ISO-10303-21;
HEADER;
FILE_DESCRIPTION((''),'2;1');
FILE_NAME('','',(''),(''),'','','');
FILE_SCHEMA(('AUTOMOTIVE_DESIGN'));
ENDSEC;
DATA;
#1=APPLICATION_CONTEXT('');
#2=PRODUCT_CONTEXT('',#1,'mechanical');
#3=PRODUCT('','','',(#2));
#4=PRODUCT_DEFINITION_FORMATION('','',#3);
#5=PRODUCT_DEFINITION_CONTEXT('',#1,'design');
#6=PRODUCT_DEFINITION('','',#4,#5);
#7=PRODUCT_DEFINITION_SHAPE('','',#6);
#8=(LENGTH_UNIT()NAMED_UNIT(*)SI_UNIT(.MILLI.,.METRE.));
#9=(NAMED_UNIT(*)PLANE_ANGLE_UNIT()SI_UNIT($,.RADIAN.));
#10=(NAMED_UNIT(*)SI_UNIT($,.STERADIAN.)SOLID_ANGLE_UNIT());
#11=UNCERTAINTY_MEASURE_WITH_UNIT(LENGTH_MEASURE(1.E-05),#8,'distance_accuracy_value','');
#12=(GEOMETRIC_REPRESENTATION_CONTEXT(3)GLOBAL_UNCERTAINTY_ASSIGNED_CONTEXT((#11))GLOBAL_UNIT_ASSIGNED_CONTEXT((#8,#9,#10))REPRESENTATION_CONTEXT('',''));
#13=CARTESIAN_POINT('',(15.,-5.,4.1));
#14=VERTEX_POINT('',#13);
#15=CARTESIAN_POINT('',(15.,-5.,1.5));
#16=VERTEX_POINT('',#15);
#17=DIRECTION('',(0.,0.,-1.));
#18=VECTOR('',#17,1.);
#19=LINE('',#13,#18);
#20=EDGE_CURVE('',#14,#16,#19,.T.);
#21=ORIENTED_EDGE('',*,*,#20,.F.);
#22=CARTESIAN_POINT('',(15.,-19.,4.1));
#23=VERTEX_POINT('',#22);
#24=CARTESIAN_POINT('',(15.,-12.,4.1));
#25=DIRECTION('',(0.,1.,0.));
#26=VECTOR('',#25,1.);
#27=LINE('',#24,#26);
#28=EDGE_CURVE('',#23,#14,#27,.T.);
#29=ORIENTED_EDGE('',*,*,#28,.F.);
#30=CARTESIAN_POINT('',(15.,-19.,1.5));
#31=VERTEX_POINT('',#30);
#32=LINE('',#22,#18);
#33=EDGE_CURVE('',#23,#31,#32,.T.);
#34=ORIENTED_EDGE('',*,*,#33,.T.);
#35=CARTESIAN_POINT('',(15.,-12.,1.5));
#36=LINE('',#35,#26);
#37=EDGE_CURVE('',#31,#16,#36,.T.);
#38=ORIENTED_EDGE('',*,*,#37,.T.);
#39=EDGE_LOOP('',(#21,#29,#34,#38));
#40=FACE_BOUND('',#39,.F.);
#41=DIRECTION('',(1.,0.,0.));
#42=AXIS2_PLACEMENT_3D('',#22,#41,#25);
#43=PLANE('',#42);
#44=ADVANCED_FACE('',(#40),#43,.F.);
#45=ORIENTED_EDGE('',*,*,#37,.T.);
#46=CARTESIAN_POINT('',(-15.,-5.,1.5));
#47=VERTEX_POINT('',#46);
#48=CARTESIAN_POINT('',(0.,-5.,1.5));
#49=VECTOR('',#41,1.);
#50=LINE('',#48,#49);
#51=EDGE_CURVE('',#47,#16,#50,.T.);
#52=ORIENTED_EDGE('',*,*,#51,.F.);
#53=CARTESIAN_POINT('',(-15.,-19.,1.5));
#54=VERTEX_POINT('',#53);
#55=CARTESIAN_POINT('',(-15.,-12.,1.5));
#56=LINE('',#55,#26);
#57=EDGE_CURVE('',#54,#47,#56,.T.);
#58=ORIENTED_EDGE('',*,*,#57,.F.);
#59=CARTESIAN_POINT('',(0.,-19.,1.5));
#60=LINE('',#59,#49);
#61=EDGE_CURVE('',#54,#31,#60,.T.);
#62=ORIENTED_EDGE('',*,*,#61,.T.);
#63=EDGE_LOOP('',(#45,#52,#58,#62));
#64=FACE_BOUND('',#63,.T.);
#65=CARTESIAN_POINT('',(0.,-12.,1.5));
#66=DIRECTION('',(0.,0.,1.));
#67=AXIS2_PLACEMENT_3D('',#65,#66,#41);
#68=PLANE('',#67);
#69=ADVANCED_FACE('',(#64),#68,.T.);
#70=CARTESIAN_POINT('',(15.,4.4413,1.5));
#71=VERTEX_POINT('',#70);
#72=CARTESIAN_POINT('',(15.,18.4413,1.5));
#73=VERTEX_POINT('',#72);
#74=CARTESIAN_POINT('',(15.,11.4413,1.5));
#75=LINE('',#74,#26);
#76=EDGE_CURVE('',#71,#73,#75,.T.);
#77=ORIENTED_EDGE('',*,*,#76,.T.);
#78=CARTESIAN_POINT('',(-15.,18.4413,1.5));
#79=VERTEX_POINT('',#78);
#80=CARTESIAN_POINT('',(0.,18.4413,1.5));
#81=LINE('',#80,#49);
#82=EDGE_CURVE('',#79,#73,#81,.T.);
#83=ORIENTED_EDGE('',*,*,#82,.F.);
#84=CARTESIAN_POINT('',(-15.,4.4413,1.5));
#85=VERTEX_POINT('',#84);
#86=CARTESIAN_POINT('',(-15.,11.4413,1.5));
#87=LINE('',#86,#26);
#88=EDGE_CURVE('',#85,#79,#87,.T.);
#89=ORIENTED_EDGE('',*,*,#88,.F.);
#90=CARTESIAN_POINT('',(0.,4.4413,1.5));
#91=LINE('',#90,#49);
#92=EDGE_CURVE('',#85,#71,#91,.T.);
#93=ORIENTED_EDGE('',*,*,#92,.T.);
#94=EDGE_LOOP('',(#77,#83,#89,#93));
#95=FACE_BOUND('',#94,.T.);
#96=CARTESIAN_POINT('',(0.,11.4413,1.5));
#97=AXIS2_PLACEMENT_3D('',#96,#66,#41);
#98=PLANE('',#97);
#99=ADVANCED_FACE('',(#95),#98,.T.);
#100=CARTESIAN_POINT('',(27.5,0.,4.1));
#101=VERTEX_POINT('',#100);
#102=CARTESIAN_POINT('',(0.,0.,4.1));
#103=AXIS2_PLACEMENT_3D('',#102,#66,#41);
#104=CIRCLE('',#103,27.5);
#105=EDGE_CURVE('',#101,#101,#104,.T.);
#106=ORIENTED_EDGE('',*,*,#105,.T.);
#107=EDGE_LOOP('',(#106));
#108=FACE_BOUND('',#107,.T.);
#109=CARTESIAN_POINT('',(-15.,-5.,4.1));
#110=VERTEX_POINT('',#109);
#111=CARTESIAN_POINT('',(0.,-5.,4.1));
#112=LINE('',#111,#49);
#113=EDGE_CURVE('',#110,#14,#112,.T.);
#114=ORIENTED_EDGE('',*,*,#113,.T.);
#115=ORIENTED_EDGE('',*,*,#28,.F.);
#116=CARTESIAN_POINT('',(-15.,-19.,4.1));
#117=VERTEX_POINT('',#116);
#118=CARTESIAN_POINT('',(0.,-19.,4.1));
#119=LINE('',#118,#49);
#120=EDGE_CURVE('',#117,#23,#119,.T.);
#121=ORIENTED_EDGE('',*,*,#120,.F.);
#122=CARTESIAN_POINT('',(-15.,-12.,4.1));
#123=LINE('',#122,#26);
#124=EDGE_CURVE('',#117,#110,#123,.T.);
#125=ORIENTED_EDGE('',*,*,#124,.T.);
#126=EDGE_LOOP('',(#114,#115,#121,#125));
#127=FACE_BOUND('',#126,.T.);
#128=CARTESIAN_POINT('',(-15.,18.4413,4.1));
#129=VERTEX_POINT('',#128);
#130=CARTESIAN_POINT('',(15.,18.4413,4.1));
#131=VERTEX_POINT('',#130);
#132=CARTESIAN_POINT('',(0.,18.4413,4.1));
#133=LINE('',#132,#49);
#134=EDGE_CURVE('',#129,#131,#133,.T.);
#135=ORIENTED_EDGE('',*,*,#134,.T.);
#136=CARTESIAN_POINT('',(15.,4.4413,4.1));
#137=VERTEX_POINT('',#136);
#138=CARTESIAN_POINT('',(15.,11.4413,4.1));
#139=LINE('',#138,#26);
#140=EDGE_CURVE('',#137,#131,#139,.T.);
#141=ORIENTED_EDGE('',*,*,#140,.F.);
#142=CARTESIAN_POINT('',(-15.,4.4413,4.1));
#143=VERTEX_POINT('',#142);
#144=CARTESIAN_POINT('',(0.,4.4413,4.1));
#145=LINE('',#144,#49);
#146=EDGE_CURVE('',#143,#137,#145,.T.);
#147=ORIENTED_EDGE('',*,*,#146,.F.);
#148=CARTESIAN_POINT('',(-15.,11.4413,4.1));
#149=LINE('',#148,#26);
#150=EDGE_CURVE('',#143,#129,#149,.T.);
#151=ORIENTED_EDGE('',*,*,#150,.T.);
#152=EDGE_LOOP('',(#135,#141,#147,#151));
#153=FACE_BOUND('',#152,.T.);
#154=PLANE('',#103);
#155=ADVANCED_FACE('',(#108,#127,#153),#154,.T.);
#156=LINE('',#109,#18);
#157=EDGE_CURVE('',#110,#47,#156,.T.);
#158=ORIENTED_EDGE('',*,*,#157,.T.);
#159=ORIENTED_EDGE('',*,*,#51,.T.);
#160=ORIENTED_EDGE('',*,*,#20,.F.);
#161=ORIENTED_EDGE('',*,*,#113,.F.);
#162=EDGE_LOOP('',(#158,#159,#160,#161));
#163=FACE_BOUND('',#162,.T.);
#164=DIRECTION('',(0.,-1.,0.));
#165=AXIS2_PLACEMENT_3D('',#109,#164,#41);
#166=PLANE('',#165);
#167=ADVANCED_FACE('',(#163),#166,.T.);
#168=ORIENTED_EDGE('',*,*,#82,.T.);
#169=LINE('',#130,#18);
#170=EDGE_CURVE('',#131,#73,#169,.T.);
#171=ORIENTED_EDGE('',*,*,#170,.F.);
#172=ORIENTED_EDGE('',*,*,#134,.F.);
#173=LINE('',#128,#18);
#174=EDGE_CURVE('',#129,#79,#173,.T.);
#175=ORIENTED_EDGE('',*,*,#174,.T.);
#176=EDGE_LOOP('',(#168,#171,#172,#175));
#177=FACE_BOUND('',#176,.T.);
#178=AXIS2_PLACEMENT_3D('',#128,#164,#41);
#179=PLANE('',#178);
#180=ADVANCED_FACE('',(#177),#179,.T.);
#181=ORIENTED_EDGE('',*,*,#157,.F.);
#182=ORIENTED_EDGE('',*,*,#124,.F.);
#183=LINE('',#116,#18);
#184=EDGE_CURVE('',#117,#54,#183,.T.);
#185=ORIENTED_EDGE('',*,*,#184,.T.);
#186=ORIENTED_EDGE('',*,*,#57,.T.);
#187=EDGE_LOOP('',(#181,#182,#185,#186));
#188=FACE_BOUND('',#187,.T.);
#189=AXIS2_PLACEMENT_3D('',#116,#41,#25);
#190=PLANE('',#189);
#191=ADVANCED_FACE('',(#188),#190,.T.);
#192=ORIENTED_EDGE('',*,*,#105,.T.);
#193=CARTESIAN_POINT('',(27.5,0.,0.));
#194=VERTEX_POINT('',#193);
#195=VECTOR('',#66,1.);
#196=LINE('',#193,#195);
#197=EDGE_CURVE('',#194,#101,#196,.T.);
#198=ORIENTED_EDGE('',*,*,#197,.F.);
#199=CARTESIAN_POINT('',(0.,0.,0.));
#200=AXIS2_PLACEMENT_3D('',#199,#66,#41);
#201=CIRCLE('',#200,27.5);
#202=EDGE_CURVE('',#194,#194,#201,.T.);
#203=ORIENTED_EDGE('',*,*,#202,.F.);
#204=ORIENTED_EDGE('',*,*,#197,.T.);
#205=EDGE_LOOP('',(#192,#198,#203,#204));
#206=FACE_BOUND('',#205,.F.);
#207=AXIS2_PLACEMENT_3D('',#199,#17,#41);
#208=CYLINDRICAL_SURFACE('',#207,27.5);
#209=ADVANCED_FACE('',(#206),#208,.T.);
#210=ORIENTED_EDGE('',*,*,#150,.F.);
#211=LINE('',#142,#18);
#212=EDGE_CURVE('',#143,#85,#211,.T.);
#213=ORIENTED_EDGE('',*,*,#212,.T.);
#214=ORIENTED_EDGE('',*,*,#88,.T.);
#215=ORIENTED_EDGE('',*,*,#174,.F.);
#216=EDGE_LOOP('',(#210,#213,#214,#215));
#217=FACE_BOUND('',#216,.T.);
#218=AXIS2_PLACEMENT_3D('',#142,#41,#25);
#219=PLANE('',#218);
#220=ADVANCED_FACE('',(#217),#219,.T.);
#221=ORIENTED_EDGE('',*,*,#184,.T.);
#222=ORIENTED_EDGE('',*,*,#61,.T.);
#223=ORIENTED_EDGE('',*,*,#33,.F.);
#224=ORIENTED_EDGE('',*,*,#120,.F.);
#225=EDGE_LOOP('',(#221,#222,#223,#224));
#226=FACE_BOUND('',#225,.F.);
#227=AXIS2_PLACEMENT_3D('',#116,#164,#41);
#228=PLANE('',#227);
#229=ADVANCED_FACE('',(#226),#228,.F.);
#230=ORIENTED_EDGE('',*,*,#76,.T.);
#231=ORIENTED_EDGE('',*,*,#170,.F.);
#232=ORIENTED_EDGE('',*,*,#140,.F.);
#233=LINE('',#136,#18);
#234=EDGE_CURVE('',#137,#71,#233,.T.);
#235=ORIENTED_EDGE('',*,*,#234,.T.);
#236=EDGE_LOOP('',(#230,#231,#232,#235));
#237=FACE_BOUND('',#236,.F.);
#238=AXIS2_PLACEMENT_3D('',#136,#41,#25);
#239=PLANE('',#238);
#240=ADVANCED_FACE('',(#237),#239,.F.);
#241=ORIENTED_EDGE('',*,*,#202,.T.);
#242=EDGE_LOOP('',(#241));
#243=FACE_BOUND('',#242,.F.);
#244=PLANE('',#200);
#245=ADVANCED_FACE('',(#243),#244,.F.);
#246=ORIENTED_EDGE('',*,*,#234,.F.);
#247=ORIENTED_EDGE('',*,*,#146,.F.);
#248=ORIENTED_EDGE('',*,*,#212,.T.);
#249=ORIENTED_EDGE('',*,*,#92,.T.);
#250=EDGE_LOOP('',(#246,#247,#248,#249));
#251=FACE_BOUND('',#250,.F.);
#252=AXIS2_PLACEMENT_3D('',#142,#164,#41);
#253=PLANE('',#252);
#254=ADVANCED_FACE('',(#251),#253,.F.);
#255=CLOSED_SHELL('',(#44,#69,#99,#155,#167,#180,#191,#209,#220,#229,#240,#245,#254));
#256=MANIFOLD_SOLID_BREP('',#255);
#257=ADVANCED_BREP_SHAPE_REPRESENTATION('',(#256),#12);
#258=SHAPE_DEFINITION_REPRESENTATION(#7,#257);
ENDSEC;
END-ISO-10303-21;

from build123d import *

# Parameters (mm, degrees)
F0_R     = 27.5
F1_DEPTH = 4.1
F2_W     = 30
F2_H     = 14
F3_DEPTH = 2.6
F4_W     = 30
F4_H     = 14
F5_DEPTH = 2.6


with BuildPart() as f1:
    # F0 (on Top) → F1 (new body)
    with BuildSketch(Plane.XY):
        Circle(F0_R)
    extrude(amount=F1_DEPTH)

    # F2 (on face) → F3 (cut)
    with BuildSketch(Plane.XY.offset(4.1)):
        with Locations((0, 11.4413)):
            Rectangle(F2_W, F2_H)
    extrude(amount=-F3_DEPTH, mode=Mode.SUBTRACT)

    # F4 (on face) → F5 (cut)
    with BuildSketch(Plane.XY.offset(4.1)):
        with Locations((0, -12)):
            Rectangle(F4_W, F4_H)
    extrude(amount=-F5_DEPTH, mode=Mode.SUBTRACT)


solid = f1.part
